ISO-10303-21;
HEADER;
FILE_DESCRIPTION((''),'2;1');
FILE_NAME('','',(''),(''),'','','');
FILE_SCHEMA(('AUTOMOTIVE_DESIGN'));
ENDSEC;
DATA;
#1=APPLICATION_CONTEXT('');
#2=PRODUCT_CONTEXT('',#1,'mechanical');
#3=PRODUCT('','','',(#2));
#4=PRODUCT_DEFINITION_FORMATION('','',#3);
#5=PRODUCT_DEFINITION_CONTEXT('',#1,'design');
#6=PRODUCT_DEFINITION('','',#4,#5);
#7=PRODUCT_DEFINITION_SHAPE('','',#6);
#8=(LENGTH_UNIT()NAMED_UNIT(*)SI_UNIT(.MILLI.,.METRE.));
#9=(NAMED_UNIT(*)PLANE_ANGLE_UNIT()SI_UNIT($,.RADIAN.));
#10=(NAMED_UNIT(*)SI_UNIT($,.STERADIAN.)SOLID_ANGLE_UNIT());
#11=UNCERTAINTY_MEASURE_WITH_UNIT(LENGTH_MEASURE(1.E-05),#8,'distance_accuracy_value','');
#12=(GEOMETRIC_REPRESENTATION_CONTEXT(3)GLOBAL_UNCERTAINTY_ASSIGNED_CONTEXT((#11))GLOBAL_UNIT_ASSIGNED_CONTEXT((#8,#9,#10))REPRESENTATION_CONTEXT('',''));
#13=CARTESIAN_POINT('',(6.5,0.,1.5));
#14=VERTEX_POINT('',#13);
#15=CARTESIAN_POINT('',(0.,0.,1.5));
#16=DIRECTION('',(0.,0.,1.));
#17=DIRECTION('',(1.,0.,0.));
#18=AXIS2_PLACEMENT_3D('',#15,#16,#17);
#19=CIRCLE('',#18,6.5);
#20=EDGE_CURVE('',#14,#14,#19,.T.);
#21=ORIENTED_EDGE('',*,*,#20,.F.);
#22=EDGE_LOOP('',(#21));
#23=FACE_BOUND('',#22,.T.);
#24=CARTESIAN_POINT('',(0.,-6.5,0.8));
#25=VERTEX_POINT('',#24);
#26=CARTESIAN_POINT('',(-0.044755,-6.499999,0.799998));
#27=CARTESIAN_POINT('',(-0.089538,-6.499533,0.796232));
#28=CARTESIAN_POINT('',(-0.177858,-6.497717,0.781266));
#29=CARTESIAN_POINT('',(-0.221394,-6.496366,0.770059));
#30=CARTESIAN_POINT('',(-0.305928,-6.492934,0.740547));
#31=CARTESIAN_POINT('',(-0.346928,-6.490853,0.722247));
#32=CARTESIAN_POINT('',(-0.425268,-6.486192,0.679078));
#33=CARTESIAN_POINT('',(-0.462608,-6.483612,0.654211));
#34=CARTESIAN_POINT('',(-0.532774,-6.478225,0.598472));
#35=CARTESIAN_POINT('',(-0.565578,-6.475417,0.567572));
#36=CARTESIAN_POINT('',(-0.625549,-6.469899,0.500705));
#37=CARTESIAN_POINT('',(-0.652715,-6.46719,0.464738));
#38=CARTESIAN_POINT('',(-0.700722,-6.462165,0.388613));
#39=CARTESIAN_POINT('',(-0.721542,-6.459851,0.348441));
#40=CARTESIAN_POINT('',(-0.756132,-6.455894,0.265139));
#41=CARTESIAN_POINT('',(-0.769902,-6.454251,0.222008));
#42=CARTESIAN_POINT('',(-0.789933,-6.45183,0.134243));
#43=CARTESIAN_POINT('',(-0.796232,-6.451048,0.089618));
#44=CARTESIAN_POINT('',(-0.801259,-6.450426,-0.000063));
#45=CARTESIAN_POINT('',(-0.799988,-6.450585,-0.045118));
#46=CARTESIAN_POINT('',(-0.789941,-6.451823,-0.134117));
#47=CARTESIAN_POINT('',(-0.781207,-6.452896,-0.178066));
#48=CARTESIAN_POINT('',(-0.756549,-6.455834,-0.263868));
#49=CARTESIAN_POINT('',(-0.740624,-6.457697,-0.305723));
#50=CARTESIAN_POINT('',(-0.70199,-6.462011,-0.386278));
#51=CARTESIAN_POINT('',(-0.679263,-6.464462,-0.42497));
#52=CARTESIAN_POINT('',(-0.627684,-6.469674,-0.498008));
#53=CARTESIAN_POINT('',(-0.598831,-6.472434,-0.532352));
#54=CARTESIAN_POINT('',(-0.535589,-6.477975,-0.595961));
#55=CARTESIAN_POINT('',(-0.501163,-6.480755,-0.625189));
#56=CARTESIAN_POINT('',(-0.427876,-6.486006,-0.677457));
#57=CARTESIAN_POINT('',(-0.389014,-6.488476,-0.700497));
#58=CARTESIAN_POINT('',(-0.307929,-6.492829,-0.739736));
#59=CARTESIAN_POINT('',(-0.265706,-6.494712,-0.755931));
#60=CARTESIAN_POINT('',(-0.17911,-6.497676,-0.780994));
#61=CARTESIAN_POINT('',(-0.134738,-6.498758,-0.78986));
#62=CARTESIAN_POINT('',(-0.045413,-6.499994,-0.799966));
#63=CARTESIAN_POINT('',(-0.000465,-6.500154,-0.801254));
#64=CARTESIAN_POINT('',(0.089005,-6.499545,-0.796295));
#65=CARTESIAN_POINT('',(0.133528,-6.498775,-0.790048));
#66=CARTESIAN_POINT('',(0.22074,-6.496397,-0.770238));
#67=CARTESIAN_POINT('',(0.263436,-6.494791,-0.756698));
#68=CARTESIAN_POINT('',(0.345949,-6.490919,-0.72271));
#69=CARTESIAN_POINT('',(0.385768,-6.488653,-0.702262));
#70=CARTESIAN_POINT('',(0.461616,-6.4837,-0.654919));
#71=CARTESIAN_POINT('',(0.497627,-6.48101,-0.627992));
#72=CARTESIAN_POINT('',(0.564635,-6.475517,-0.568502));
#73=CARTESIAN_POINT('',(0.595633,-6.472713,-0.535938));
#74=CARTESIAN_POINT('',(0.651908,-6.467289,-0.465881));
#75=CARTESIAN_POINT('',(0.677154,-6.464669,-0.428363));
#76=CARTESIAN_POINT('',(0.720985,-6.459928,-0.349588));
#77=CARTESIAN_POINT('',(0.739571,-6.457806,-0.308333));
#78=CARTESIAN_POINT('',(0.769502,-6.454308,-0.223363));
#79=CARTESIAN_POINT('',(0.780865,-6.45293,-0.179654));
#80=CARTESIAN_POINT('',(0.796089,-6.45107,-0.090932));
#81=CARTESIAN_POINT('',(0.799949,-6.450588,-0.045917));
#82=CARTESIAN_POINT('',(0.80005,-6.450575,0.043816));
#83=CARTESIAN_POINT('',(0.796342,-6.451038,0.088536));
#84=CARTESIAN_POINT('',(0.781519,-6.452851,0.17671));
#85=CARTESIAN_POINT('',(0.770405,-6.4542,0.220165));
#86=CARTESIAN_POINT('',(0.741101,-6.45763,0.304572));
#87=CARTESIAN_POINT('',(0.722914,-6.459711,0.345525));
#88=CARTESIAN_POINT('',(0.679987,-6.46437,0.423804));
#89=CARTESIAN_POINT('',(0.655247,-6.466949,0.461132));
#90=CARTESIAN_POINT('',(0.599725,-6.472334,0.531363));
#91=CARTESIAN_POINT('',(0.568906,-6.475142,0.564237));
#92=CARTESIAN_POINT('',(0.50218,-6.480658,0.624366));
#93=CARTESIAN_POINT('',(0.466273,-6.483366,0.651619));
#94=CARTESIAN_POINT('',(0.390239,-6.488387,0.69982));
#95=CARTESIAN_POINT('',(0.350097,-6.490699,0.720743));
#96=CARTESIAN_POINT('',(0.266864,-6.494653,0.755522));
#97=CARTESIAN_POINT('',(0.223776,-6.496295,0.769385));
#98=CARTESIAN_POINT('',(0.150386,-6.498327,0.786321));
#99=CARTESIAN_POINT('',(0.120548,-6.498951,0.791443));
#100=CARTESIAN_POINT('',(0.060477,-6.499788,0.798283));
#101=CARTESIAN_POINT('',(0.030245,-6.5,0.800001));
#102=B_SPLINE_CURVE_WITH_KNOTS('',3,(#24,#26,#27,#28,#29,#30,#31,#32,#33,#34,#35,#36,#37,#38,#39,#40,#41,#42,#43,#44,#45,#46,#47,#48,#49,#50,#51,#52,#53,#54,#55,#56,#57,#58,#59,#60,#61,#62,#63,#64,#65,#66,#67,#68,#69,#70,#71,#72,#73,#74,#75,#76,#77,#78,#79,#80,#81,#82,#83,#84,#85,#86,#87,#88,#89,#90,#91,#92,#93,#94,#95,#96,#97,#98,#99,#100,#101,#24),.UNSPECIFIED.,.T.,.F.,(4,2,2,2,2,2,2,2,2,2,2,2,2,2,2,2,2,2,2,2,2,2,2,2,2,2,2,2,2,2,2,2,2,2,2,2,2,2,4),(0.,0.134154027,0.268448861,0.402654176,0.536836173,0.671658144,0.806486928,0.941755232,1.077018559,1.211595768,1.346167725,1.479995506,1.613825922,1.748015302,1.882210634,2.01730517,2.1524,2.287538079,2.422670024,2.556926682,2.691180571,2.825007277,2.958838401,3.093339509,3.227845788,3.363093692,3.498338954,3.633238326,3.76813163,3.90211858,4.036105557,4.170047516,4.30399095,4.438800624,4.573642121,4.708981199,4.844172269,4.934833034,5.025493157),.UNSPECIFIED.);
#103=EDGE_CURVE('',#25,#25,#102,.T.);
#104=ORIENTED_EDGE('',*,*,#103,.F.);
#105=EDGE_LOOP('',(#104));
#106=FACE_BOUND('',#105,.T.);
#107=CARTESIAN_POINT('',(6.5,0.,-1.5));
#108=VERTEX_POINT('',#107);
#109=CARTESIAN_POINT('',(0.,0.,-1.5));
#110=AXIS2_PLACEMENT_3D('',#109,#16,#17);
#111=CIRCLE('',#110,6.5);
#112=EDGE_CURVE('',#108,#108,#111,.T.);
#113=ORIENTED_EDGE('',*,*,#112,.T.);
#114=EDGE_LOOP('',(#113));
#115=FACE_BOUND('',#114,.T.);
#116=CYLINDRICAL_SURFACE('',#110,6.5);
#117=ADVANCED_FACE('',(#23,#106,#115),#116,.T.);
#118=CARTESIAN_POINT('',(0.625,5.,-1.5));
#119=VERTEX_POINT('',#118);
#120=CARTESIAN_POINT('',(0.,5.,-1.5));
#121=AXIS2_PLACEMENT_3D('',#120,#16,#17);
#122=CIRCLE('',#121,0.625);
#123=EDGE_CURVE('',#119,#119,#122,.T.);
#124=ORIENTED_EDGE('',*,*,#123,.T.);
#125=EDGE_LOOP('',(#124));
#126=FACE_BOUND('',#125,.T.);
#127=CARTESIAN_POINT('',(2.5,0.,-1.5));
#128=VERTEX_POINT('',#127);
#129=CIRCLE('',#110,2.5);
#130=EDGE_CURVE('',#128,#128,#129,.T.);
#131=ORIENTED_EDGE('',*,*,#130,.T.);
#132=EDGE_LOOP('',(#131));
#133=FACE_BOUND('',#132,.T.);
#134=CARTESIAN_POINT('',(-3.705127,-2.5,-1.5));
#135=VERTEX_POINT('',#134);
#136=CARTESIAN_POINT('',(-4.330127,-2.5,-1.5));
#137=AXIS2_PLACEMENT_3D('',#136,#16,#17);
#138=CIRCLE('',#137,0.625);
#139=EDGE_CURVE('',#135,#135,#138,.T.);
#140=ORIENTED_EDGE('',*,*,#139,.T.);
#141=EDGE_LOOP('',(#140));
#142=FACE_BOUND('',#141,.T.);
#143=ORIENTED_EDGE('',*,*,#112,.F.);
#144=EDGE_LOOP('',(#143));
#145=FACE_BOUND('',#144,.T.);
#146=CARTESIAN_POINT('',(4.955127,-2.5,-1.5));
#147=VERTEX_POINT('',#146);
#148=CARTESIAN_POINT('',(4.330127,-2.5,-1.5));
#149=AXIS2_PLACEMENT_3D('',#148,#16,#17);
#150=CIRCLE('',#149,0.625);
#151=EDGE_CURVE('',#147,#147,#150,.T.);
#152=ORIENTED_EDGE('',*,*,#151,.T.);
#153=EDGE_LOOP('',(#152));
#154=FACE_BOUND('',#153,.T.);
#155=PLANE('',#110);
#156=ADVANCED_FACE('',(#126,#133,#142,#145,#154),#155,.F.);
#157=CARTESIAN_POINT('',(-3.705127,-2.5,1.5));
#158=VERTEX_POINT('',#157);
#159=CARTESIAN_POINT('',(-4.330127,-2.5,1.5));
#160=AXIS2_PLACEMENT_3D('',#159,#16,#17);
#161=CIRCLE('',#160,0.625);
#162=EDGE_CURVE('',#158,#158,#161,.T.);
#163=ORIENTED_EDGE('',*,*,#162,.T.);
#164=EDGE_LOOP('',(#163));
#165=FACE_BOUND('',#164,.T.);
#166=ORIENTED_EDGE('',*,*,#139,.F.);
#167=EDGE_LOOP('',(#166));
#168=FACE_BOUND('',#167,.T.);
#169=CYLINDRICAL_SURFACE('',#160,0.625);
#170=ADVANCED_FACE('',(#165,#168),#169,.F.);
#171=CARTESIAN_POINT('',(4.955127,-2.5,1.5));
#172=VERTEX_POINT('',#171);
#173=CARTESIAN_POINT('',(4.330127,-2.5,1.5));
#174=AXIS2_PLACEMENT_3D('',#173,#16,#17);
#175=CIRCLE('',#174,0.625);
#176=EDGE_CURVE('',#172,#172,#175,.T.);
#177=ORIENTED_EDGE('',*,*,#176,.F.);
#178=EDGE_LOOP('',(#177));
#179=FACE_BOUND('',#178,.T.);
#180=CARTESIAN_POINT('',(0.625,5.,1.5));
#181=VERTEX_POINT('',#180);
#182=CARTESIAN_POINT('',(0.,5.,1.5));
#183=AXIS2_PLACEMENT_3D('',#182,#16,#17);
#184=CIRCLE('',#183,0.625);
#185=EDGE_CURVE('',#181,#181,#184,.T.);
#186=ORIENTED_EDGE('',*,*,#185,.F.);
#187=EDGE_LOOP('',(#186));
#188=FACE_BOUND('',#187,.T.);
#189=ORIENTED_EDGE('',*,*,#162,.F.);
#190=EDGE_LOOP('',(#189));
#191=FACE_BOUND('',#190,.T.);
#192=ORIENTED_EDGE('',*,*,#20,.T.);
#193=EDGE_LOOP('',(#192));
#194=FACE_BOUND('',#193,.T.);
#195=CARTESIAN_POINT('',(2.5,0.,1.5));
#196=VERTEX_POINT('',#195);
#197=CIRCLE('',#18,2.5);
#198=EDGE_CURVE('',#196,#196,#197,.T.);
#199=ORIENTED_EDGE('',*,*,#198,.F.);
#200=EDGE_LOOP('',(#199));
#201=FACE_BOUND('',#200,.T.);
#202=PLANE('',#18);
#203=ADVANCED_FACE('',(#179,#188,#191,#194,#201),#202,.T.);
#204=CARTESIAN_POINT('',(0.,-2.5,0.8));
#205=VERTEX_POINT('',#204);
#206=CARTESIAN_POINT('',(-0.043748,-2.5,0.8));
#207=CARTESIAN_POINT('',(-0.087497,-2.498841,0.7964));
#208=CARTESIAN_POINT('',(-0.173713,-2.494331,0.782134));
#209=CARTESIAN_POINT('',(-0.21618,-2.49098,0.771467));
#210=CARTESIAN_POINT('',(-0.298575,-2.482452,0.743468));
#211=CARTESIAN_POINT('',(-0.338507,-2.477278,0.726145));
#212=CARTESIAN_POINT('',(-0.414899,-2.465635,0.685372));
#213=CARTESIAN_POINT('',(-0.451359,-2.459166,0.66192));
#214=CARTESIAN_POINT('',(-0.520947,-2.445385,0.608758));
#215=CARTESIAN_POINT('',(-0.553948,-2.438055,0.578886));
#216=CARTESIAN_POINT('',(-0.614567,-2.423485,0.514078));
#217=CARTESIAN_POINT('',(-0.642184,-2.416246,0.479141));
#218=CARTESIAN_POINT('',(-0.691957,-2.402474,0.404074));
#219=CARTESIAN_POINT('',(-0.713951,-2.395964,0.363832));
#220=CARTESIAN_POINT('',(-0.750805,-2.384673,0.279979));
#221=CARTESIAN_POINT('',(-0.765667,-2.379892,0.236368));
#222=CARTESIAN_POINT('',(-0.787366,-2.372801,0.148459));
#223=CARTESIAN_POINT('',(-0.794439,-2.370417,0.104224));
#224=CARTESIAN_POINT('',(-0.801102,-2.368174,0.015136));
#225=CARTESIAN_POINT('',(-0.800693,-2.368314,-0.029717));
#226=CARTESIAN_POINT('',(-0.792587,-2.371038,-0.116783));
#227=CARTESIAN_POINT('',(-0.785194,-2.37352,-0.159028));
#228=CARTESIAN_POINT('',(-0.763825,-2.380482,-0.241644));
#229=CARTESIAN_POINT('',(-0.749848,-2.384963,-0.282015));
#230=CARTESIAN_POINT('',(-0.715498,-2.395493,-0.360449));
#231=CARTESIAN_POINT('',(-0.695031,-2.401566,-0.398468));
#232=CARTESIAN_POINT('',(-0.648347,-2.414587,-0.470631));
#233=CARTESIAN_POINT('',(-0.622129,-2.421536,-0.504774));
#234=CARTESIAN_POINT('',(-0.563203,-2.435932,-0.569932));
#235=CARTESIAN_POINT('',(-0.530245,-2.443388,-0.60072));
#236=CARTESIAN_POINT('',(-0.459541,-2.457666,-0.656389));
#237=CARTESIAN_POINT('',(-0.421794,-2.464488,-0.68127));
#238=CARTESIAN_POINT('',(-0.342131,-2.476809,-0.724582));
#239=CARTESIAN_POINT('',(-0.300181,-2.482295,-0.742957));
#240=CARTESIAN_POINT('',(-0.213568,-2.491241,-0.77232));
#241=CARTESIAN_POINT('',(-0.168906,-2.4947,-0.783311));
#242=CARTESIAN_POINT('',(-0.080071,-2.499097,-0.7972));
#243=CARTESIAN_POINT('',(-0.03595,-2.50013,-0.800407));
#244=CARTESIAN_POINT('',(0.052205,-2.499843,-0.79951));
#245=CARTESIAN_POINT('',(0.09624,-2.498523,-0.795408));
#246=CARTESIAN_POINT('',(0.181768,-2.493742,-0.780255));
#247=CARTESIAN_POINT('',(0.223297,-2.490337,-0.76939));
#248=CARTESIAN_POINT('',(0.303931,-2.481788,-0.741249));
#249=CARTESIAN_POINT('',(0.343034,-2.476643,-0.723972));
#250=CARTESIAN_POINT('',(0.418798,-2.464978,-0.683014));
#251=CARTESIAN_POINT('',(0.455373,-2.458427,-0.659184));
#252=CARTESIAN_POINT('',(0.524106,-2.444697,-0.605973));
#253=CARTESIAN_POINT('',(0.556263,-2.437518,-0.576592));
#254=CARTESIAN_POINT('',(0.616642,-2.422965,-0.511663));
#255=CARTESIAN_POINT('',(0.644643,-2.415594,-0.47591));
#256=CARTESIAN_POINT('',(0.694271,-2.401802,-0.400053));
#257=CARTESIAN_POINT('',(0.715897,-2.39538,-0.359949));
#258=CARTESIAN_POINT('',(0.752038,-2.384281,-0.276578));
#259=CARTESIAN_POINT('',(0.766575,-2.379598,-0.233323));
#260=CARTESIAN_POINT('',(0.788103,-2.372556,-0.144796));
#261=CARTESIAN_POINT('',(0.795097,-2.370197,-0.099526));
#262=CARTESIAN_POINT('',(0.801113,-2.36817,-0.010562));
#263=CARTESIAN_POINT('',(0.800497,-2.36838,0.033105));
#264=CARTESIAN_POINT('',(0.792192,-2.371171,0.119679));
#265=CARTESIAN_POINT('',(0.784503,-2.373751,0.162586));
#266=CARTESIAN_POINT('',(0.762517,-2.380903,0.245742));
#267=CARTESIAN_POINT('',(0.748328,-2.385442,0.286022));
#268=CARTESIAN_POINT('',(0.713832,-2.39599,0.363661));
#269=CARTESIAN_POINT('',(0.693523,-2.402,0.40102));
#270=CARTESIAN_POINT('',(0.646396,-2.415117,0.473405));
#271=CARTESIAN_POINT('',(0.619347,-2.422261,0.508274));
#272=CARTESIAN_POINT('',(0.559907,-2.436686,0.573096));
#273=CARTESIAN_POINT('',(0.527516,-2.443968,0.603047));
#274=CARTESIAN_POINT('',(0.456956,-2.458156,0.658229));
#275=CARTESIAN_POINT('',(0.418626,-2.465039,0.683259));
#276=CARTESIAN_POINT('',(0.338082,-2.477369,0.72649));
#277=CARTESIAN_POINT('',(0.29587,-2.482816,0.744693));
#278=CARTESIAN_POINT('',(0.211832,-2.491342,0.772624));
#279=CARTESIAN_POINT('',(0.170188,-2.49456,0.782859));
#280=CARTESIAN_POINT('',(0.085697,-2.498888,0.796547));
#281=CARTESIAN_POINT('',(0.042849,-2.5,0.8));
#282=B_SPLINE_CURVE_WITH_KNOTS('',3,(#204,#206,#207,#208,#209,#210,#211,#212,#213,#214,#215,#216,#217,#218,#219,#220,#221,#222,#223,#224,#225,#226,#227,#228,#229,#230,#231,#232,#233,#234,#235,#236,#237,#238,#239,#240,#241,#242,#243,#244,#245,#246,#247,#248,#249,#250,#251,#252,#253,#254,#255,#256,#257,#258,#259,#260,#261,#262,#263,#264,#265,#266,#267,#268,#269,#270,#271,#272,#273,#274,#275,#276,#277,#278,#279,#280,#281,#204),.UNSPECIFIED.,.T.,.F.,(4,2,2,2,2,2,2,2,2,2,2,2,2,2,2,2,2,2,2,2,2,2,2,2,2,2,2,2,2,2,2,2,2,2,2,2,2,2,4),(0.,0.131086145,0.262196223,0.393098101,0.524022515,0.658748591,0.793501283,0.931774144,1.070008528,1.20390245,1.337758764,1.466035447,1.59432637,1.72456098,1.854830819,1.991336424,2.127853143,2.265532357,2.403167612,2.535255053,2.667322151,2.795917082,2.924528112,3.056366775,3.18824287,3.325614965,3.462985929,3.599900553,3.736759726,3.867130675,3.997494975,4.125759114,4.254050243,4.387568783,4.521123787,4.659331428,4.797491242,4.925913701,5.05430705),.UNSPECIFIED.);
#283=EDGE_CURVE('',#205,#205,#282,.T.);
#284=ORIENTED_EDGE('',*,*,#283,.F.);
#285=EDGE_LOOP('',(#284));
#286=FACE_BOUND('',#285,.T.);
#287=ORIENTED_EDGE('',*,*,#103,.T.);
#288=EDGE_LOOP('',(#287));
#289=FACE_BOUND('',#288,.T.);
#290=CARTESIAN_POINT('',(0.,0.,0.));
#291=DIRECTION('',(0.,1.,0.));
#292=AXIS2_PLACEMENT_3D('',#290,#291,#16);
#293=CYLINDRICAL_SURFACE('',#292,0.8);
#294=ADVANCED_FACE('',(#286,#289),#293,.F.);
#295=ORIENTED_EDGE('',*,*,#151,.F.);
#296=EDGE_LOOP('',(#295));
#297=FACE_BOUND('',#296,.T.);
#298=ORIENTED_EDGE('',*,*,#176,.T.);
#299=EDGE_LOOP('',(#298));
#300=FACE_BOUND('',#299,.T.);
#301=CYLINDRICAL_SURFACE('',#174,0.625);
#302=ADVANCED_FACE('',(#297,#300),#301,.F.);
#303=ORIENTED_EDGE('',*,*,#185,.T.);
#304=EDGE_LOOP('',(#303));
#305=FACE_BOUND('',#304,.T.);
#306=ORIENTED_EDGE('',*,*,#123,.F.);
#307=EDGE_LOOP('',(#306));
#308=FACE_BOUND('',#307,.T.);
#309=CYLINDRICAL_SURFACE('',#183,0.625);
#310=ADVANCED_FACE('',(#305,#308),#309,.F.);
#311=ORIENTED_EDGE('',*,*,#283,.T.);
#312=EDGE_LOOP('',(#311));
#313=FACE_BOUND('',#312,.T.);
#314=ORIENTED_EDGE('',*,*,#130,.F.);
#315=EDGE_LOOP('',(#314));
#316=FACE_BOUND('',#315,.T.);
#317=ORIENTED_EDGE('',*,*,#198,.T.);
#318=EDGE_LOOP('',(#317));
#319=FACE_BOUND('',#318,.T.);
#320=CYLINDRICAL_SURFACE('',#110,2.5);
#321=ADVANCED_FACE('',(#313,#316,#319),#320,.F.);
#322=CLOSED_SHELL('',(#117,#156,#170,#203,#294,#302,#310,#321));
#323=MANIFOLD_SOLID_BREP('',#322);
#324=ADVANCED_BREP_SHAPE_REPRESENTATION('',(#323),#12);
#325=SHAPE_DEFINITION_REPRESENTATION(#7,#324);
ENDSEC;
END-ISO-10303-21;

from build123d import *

# Parameters (mm, degrees)
MODEL_R             = 6.5
EXTRUDE_338_DEPTH   = 1.5
SKETCH_3_R          = 2.5
CUT_EXTRUDE_1_DEPTH = 10.669539803
HOLE_WIZARD_M1_6_D  = 1.25
SKETCH_8_W          = 0.8
SKETCH_8_H          = 6.5


with BuildPart() as part:
    # Model → Extrude 338 (new, symmetric)
    with BuildSketch(Plane.XY):
        Circle(MODEL_R)
    extrude(amount=EXTRUDE_338_DEPTH, both=True)

    # Эскиз3 → Вырез-Вытянуть1 (cut, through all)
    with BuildSketch(Plane.XY.offset(1.5)):
        Circle(SKETCH_3_R)
    extrude(amount=-CUT_EXTRUDE_1_DEPTH, mode=Mode.SUBTRACT)

    # Крепление шестерни M1.6 (through all)
    with Locations(Plane.XY.offset(1.5)):
        with Locations((0, 5), (4.330127019, -2.5), (-4.330127019, -2.5)):
            Hole(HOLE_WIZARD_M1_6_D / 2)

    # Эскиз8 → Крепление на вал M2 (revolve, cut)
    with BuildSketch(Plane(origin=(0, 0, 0), x_dir=(0, 0, 1), z_dir=(1, 0, 0))):
        with Locations((0.4, 3.25)):
            Rectangle(SKETCH_8_W, SKETCH_8_H)
    revolve(axis=Axis((0, 6.35, 0), (0, -1, 0)), mode=Mode.SUBTRACT)


solid = part.part
